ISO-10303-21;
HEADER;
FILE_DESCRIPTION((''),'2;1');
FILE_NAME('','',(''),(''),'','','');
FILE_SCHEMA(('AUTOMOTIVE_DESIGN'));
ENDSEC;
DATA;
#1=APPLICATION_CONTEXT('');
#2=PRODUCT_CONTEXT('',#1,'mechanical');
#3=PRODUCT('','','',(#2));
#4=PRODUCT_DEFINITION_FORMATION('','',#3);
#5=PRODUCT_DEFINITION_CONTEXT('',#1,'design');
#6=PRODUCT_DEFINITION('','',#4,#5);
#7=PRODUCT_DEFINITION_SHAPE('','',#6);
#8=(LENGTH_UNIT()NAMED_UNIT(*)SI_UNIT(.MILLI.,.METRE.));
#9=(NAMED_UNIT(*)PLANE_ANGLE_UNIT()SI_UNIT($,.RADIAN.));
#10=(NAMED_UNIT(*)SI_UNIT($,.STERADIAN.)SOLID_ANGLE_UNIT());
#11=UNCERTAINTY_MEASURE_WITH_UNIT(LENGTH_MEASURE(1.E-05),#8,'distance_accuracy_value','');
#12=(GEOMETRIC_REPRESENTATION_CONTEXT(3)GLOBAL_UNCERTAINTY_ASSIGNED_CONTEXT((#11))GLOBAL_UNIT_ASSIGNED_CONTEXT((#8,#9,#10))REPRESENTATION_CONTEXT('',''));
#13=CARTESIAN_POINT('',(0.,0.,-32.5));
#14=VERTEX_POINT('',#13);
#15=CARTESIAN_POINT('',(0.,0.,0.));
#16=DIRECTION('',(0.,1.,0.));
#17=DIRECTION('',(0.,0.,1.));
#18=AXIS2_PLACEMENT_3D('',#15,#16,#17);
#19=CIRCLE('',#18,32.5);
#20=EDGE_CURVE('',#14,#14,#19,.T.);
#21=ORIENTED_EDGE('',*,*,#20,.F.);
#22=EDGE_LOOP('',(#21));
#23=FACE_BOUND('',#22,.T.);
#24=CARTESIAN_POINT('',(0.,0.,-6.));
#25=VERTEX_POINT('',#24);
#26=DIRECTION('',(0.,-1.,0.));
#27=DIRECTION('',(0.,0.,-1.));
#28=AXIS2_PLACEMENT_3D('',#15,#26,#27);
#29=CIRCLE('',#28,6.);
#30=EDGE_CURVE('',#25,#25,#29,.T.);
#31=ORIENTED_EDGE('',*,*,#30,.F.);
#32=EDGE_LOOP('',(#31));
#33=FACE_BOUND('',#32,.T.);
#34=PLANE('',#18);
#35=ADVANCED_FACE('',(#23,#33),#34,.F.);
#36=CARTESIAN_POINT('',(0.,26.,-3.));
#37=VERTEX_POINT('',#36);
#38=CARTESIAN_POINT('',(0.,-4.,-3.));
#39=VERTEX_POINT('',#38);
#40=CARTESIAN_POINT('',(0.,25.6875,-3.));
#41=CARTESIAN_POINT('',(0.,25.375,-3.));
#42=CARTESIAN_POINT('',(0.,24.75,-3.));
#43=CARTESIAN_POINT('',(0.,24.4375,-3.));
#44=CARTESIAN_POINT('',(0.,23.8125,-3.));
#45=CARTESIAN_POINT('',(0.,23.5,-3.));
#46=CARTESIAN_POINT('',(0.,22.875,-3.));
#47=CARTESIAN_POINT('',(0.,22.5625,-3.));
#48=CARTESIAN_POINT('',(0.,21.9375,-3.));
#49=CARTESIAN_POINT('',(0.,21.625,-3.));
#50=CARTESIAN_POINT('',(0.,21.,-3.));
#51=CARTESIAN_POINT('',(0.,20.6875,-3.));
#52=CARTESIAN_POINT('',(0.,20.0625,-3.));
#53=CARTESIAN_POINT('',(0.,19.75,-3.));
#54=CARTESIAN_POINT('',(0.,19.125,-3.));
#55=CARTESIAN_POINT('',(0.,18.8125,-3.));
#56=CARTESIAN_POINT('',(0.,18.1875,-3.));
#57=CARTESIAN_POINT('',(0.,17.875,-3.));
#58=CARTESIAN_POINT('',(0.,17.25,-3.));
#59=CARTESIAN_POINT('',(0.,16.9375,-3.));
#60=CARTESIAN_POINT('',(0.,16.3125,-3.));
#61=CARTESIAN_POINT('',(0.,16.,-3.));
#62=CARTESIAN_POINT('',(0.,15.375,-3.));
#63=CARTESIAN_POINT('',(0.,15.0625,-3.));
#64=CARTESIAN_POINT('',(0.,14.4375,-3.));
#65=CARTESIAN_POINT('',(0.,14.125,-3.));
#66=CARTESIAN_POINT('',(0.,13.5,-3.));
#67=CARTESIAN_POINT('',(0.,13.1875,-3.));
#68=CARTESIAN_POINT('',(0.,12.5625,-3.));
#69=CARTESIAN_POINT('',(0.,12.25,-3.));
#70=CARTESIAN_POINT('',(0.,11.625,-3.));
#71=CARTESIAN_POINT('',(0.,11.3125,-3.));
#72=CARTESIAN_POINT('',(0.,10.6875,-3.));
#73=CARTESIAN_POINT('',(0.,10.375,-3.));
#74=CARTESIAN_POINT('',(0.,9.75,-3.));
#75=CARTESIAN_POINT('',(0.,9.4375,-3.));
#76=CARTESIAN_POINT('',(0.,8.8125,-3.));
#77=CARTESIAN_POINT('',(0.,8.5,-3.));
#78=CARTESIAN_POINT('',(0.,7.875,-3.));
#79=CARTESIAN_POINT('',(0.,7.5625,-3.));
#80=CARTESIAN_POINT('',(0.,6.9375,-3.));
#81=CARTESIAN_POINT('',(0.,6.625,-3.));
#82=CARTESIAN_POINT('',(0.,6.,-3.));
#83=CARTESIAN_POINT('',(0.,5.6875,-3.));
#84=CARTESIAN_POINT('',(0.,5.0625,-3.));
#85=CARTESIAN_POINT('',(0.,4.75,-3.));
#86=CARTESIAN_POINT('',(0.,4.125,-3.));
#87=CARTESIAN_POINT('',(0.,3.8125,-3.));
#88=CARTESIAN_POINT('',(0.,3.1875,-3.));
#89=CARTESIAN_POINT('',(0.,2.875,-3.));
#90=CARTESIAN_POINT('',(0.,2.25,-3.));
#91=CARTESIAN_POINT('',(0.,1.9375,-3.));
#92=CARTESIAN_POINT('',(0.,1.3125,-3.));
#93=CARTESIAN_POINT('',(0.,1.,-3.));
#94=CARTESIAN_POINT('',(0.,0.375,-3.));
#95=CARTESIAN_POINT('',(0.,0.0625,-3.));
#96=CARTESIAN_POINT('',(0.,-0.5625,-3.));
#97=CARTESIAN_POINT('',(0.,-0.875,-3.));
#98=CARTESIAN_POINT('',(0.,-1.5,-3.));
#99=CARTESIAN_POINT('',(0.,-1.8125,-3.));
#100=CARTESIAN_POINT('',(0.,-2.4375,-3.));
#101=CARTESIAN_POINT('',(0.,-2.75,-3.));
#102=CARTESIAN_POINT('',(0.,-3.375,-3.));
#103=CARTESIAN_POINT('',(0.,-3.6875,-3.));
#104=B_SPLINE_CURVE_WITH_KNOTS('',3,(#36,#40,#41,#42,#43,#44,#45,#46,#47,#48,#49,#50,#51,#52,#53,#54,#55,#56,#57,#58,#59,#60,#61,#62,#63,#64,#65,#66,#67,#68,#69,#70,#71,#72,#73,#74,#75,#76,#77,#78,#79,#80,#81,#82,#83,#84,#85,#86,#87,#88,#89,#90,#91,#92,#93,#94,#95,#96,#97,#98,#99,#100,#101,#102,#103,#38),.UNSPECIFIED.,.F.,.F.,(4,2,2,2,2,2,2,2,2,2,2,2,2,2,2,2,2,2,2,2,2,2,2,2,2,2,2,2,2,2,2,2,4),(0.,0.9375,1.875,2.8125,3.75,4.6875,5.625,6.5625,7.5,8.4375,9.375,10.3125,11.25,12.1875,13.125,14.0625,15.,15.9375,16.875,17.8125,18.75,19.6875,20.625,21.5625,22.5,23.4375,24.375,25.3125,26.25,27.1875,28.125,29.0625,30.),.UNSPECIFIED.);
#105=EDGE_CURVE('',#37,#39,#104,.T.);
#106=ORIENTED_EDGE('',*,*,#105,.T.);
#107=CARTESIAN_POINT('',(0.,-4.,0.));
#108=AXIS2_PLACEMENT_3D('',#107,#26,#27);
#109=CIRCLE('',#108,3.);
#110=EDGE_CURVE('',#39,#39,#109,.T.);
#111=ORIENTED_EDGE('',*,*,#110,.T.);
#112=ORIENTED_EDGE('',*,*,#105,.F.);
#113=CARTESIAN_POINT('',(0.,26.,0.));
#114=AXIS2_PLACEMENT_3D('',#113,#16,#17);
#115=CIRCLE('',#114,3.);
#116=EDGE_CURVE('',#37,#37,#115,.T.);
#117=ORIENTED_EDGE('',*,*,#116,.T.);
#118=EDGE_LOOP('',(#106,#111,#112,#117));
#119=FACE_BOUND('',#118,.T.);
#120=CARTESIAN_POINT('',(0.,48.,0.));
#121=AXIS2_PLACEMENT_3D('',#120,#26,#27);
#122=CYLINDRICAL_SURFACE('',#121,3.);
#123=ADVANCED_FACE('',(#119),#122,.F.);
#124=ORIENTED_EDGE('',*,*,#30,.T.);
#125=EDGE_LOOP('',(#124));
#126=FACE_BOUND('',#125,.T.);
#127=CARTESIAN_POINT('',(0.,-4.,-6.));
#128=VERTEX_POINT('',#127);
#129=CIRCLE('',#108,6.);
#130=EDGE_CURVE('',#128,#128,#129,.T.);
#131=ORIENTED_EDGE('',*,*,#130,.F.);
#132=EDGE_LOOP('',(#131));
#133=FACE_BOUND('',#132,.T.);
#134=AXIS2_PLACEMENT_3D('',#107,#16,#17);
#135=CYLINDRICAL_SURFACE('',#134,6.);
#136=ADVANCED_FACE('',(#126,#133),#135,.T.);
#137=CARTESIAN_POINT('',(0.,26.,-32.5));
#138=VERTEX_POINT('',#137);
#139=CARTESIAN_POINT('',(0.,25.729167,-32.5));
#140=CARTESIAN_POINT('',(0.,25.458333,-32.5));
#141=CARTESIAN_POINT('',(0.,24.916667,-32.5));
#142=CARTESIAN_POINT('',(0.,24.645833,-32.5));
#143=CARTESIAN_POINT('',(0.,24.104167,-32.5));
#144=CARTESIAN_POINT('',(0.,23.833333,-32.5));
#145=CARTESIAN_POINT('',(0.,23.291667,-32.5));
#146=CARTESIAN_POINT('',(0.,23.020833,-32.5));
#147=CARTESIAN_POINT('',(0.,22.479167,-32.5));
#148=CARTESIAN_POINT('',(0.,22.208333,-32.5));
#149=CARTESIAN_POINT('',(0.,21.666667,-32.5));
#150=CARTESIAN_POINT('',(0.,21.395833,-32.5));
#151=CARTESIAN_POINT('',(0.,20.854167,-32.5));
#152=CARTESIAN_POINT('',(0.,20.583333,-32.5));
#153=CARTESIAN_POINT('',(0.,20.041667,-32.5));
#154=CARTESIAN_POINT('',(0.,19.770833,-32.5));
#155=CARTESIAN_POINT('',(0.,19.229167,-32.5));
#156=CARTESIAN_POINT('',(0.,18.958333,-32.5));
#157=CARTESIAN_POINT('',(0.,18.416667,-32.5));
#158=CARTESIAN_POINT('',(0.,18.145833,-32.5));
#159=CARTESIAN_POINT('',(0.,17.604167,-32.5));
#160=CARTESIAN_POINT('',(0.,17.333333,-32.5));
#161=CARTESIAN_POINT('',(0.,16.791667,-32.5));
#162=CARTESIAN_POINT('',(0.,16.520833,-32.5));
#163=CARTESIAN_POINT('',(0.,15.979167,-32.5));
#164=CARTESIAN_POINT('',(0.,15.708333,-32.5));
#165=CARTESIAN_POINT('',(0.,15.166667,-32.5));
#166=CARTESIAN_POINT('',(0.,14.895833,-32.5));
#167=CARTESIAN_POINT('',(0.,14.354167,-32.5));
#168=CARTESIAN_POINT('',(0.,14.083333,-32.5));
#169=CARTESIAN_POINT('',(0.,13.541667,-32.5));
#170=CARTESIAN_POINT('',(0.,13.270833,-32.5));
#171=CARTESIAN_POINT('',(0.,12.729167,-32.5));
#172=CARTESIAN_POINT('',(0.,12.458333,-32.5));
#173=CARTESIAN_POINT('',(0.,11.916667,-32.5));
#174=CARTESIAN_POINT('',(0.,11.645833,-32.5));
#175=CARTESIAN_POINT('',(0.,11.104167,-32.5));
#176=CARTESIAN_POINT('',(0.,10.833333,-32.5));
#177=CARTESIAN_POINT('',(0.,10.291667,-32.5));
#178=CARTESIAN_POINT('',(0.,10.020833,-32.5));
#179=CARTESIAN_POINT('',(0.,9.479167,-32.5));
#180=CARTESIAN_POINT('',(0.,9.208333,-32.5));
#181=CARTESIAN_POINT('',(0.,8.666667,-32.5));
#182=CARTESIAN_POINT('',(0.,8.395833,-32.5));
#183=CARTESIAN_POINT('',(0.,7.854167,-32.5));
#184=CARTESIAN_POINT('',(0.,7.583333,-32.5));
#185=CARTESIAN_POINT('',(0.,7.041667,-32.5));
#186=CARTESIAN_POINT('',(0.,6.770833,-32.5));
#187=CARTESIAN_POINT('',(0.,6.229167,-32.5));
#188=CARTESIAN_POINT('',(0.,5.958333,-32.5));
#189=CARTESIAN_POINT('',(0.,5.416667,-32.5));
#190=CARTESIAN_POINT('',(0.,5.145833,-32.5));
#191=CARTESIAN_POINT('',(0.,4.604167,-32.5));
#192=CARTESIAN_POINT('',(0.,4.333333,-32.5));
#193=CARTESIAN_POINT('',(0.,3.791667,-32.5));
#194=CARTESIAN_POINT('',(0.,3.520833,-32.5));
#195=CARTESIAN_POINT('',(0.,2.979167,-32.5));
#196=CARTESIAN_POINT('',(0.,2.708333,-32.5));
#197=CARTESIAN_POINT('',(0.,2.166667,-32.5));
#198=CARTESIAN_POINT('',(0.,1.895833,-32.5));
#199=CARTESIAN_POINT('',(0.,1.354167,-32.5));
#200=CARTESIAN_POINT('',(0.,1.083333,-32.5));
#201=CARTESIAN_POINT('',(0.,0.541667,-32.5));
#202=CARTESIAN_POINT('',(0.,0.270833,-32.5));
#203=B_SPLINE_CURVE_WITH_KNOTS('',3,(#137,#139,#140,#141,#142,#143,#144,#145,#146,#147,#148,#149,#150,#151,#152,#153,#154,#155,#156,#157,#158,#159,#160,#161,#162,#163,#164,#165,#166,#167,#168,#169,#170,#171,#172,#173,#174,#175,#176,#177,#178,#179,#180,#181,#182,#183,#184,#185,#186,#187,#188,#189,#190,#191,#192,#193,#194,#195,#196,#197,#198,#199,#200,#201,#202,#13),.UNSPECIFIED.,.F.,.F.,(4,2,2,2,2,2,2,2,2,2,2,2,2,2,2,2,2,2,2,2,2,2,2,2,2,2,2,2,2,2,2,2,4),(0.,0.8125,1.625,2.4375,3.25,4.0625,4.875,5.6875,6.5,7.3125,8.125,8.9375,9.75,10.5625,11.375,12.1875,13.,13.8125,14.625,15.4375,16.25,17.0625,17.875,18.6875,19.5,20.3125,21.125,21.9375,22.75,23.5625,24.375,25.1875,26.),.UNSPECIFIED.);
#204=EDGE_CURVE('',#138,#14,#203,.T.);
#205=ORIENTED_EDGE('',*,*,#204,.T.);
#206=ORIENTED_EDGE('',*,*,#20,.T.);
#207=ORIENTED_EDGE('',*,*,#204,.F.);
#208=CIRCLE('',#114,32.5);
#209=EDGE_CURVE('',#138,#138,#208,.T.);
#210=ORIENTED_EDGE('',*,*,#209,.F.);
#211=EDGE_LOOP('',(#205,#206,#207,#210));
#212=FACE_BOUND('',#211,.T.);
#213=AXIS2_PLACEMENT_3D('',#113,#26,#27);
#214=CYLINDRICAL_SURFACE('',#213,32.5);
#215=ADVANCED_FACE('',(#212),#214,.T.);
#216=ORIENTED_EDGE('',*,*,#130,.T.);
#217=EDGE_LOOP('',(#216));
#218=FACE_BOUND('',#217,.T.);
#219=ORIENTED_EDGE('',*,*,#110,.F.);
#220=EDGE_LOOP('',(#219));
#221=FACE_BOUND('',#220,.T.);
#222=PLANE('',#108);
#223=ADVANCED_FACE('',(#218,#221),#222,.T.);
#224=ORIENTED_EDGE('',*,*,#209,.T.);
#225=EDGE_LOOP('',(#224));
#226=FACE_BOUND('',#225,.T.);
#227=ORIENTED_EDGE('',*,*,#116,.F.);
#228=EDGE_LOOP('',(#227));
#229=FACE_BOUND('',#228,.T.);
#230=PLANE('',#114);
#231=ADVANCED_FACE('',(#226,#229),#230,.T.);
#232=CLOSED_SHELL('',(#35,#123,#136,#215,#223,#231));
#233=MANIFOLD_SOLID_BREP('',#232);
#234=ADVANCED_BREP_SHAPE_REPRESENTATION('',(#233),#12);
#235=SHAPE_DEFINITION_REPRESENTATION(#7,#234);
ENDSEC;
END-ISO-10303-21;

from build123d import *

# Parameters (mm, degrees)
SKETCH_1_R          = 32.5
EXTRUDE_1_DEPTH     = 26
SKETCH_2_R          = 6
EXTRUDE_2_DEPTH     = 4
SKETCH_3_R          = 3
CUT_EXTRUDE_1_DEPTH = 52


with BuildPart() as part:
    # 草图1 → 凸台-拉伸1 (new body)
    with BuildSketch(Plane(origin=(0, 0, 0), x_dir=(1, 0, 0), z_dir=(0, 1, 0))):
        with Locations(Location((0, 0, 0), (0, 0, 90))):
            Circle(SKETCH_1_R)
    extrude(amount=EXTRUDE_1_DEPTH)

    # 草图2 → 凸台-拉伸2 (add)
    with BuildSketch(Plane.XZ):
        with Locations(Location((0, 0, 0), (0, 0, 270))):
            Circle(SKETCH_2_R)
    extrude(amount=EXTRUDE_2_DEPTH)

    # 草图3 → 切除-拉伸1 (cut)
    with BuildSketch(Plane.XZ.offset(4)):
        with Locations(Location((0, 0, 0), (0, 0, 270))):
            Circle(SKETCH_3_R)
    extrude(amount=-CUT_EXTRUDE_1_DEPTH, mode=Mode.SUBTRACT)


solid = part.part
